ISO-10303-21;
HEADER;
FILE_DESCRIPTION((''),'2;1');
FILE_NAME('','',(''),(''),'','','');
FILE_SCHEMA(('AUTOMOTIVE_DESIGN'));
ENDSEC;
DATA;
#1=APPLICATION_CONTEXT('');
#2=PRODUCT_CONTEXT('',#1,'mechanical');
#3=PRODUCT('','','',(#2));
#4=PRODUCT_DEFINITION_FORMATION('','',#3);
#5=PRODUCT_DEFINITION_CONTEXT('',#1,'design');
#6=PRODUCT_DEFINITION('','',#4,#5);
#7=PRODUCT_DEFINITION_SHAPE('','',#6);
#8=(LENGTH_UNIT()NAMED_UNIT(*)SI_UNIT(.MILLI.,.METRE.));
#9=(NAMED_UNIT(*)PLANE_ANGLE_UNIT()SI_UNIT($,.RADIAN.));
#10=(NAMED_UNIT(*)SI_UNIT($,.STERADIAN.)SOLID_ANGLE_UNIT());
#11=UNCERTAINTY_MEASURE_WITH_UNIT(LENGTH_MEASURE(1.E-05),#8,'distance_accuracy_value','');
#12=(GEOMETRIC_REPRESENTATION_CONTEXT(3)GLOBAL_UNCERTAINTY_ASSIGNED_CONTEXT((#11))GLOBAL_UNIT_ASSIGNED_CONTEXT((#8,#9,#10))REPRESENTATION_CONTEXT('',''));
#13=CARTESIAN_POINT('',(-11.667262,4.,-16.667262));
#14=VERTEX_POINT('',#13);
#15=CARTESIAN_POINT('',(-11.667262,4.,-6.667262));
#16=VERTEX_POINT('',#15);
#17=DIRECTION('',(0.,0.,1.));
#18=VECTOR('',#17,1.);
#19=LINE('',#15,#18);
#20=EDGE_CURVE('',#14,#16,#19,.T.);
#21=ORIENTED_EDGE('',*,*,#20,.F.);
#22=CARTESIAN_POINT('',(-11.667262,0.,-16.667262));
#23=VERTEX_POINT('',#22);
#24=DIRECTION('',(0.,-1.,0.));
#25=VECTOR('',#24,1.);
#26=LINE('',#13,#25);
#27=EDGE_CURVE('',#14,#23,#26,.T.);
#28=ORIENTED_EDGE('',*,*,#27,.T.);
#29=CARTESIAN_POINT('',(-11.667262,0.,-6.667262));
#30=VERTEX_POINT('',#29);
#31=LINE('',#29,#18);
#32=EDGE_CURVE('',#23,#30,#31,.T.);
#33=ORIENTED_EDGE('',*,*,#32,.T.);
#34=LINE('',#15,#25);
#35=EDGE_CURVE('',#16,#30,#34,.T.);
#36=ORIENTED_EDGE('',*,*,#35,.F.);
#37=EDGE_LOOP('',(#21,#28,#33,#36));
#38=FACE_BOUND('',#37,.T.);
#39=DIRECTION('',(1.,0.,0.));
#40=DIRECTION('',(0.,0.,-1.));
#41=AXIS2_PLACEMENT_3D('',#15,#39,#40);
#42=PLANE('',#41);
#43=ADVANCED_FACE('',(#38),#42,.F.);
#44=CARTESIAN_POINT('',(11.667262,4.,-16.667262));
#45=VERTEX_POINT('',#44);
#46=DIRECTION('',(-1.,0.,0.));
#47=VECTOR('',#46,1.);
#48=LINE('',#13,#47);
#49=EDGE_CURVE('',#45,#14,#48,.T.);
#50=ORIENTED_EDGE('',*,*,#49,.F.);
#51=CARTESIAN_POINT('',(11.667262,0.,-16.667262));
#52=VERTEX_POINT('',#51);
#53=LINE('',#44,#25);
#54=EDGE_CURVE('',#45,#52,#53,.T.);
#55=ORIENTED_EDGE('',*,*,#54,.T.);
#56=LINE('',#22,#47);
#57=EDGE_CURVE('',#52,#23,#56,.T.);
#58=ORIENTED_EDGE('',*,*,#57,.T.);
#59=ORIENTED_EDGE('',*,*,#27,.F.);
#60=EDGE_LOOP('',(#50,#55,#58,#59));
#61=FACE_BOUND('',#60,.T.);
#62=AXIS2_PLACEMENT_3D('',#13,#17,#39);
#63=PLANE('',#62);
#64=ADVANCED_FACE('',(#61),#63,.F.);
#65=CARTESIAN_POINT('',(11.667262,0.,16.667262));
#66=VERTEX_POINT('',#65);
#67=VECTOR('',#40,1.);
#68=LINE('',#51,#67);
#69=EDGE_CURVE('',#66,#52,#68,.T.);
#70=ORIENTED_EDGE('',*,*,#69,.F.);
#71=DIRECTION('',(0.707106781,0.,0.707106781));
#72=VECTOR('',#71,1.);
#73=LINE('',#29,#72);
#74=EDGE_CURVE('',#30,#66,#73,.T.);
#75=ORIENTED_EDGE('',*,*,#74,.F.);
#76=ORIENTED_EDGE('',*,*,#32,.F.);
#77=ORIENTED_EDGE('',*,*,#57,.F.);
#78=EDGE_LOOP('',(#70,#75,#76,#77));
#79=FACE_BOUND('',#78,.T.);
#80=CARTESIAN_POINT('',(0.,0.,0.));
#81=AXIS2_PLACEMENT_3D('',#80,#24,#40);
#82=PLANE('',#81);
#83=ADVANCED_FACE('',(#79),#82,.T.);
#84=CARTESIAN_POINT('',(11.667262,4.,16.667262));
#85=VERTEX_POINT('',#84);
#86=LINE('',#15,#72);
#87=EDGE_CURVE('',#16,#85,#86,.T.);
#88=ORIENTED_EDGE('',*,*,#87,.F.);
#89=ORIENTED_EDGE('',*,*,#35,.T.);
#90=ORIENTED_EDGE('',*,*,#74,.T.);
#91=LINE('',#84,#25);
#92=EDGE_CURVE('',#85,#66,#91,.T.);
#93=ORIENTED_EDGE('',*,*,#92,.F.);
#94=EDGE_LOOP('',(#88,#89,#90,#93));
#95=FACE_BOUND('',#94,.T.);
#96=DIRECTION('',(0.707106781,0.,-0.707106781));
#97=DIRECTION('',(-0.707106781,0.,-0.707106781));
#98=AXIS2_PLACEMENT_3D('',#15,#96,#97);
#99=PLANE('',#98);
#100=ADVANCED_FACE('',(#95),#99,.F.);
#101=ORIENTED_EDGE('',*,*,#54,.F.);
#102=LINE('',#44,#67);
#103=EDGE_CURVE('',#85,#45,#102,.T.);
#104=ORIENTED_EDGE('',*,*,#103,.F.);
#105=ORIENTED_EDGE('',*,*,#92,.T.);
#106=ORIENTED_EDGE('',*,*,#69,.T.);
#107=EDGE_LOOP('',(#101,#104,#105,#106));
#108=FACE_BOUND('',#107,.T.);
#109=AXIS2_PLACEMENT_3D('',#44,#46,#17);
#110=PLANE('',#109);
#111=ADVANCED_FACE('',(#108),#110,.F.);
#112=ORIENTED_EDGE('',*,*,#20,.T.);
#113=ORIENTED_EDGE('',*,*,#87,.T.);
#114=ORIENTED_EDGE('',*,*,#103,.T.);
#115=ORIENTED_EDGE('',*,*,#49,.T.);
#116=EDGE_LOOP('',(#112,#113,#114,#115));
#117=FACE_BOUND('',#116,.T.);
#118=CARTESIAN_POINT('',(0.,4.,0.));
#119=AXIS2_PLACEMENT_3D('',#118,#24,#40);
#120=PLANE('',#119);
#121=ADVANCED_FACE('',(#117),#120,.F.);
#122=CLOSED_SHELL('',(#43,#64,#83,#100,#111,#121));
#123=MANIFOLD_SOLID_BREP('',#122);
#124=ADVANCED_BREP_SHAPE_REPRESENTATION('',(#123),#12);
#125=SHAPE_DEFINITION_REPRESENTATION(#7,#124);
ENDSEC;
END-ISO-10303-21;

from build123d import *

# Parameters (mm, degrees)
SALIENTE_EXTRUIR1_DEPTH = 4


with BuildPart() as part:
    # Croquis1 → Saliente-Extruir1 (new body)
    with BuildSketch(Plane(origin=(0, 0, 0), x_dir=(1, 0, 0), z_dir=(0, 1, 0))):
        Polygon((-11.66726189, 6.66726189), (11.66726189, -16.66726189), (11.66726189, 16.66726189), (-11.66726189, 16.66726189), align=None)
    extrude(amount=SALIENTE_EXTRUIR1_DEPTH)


solid = part.part
